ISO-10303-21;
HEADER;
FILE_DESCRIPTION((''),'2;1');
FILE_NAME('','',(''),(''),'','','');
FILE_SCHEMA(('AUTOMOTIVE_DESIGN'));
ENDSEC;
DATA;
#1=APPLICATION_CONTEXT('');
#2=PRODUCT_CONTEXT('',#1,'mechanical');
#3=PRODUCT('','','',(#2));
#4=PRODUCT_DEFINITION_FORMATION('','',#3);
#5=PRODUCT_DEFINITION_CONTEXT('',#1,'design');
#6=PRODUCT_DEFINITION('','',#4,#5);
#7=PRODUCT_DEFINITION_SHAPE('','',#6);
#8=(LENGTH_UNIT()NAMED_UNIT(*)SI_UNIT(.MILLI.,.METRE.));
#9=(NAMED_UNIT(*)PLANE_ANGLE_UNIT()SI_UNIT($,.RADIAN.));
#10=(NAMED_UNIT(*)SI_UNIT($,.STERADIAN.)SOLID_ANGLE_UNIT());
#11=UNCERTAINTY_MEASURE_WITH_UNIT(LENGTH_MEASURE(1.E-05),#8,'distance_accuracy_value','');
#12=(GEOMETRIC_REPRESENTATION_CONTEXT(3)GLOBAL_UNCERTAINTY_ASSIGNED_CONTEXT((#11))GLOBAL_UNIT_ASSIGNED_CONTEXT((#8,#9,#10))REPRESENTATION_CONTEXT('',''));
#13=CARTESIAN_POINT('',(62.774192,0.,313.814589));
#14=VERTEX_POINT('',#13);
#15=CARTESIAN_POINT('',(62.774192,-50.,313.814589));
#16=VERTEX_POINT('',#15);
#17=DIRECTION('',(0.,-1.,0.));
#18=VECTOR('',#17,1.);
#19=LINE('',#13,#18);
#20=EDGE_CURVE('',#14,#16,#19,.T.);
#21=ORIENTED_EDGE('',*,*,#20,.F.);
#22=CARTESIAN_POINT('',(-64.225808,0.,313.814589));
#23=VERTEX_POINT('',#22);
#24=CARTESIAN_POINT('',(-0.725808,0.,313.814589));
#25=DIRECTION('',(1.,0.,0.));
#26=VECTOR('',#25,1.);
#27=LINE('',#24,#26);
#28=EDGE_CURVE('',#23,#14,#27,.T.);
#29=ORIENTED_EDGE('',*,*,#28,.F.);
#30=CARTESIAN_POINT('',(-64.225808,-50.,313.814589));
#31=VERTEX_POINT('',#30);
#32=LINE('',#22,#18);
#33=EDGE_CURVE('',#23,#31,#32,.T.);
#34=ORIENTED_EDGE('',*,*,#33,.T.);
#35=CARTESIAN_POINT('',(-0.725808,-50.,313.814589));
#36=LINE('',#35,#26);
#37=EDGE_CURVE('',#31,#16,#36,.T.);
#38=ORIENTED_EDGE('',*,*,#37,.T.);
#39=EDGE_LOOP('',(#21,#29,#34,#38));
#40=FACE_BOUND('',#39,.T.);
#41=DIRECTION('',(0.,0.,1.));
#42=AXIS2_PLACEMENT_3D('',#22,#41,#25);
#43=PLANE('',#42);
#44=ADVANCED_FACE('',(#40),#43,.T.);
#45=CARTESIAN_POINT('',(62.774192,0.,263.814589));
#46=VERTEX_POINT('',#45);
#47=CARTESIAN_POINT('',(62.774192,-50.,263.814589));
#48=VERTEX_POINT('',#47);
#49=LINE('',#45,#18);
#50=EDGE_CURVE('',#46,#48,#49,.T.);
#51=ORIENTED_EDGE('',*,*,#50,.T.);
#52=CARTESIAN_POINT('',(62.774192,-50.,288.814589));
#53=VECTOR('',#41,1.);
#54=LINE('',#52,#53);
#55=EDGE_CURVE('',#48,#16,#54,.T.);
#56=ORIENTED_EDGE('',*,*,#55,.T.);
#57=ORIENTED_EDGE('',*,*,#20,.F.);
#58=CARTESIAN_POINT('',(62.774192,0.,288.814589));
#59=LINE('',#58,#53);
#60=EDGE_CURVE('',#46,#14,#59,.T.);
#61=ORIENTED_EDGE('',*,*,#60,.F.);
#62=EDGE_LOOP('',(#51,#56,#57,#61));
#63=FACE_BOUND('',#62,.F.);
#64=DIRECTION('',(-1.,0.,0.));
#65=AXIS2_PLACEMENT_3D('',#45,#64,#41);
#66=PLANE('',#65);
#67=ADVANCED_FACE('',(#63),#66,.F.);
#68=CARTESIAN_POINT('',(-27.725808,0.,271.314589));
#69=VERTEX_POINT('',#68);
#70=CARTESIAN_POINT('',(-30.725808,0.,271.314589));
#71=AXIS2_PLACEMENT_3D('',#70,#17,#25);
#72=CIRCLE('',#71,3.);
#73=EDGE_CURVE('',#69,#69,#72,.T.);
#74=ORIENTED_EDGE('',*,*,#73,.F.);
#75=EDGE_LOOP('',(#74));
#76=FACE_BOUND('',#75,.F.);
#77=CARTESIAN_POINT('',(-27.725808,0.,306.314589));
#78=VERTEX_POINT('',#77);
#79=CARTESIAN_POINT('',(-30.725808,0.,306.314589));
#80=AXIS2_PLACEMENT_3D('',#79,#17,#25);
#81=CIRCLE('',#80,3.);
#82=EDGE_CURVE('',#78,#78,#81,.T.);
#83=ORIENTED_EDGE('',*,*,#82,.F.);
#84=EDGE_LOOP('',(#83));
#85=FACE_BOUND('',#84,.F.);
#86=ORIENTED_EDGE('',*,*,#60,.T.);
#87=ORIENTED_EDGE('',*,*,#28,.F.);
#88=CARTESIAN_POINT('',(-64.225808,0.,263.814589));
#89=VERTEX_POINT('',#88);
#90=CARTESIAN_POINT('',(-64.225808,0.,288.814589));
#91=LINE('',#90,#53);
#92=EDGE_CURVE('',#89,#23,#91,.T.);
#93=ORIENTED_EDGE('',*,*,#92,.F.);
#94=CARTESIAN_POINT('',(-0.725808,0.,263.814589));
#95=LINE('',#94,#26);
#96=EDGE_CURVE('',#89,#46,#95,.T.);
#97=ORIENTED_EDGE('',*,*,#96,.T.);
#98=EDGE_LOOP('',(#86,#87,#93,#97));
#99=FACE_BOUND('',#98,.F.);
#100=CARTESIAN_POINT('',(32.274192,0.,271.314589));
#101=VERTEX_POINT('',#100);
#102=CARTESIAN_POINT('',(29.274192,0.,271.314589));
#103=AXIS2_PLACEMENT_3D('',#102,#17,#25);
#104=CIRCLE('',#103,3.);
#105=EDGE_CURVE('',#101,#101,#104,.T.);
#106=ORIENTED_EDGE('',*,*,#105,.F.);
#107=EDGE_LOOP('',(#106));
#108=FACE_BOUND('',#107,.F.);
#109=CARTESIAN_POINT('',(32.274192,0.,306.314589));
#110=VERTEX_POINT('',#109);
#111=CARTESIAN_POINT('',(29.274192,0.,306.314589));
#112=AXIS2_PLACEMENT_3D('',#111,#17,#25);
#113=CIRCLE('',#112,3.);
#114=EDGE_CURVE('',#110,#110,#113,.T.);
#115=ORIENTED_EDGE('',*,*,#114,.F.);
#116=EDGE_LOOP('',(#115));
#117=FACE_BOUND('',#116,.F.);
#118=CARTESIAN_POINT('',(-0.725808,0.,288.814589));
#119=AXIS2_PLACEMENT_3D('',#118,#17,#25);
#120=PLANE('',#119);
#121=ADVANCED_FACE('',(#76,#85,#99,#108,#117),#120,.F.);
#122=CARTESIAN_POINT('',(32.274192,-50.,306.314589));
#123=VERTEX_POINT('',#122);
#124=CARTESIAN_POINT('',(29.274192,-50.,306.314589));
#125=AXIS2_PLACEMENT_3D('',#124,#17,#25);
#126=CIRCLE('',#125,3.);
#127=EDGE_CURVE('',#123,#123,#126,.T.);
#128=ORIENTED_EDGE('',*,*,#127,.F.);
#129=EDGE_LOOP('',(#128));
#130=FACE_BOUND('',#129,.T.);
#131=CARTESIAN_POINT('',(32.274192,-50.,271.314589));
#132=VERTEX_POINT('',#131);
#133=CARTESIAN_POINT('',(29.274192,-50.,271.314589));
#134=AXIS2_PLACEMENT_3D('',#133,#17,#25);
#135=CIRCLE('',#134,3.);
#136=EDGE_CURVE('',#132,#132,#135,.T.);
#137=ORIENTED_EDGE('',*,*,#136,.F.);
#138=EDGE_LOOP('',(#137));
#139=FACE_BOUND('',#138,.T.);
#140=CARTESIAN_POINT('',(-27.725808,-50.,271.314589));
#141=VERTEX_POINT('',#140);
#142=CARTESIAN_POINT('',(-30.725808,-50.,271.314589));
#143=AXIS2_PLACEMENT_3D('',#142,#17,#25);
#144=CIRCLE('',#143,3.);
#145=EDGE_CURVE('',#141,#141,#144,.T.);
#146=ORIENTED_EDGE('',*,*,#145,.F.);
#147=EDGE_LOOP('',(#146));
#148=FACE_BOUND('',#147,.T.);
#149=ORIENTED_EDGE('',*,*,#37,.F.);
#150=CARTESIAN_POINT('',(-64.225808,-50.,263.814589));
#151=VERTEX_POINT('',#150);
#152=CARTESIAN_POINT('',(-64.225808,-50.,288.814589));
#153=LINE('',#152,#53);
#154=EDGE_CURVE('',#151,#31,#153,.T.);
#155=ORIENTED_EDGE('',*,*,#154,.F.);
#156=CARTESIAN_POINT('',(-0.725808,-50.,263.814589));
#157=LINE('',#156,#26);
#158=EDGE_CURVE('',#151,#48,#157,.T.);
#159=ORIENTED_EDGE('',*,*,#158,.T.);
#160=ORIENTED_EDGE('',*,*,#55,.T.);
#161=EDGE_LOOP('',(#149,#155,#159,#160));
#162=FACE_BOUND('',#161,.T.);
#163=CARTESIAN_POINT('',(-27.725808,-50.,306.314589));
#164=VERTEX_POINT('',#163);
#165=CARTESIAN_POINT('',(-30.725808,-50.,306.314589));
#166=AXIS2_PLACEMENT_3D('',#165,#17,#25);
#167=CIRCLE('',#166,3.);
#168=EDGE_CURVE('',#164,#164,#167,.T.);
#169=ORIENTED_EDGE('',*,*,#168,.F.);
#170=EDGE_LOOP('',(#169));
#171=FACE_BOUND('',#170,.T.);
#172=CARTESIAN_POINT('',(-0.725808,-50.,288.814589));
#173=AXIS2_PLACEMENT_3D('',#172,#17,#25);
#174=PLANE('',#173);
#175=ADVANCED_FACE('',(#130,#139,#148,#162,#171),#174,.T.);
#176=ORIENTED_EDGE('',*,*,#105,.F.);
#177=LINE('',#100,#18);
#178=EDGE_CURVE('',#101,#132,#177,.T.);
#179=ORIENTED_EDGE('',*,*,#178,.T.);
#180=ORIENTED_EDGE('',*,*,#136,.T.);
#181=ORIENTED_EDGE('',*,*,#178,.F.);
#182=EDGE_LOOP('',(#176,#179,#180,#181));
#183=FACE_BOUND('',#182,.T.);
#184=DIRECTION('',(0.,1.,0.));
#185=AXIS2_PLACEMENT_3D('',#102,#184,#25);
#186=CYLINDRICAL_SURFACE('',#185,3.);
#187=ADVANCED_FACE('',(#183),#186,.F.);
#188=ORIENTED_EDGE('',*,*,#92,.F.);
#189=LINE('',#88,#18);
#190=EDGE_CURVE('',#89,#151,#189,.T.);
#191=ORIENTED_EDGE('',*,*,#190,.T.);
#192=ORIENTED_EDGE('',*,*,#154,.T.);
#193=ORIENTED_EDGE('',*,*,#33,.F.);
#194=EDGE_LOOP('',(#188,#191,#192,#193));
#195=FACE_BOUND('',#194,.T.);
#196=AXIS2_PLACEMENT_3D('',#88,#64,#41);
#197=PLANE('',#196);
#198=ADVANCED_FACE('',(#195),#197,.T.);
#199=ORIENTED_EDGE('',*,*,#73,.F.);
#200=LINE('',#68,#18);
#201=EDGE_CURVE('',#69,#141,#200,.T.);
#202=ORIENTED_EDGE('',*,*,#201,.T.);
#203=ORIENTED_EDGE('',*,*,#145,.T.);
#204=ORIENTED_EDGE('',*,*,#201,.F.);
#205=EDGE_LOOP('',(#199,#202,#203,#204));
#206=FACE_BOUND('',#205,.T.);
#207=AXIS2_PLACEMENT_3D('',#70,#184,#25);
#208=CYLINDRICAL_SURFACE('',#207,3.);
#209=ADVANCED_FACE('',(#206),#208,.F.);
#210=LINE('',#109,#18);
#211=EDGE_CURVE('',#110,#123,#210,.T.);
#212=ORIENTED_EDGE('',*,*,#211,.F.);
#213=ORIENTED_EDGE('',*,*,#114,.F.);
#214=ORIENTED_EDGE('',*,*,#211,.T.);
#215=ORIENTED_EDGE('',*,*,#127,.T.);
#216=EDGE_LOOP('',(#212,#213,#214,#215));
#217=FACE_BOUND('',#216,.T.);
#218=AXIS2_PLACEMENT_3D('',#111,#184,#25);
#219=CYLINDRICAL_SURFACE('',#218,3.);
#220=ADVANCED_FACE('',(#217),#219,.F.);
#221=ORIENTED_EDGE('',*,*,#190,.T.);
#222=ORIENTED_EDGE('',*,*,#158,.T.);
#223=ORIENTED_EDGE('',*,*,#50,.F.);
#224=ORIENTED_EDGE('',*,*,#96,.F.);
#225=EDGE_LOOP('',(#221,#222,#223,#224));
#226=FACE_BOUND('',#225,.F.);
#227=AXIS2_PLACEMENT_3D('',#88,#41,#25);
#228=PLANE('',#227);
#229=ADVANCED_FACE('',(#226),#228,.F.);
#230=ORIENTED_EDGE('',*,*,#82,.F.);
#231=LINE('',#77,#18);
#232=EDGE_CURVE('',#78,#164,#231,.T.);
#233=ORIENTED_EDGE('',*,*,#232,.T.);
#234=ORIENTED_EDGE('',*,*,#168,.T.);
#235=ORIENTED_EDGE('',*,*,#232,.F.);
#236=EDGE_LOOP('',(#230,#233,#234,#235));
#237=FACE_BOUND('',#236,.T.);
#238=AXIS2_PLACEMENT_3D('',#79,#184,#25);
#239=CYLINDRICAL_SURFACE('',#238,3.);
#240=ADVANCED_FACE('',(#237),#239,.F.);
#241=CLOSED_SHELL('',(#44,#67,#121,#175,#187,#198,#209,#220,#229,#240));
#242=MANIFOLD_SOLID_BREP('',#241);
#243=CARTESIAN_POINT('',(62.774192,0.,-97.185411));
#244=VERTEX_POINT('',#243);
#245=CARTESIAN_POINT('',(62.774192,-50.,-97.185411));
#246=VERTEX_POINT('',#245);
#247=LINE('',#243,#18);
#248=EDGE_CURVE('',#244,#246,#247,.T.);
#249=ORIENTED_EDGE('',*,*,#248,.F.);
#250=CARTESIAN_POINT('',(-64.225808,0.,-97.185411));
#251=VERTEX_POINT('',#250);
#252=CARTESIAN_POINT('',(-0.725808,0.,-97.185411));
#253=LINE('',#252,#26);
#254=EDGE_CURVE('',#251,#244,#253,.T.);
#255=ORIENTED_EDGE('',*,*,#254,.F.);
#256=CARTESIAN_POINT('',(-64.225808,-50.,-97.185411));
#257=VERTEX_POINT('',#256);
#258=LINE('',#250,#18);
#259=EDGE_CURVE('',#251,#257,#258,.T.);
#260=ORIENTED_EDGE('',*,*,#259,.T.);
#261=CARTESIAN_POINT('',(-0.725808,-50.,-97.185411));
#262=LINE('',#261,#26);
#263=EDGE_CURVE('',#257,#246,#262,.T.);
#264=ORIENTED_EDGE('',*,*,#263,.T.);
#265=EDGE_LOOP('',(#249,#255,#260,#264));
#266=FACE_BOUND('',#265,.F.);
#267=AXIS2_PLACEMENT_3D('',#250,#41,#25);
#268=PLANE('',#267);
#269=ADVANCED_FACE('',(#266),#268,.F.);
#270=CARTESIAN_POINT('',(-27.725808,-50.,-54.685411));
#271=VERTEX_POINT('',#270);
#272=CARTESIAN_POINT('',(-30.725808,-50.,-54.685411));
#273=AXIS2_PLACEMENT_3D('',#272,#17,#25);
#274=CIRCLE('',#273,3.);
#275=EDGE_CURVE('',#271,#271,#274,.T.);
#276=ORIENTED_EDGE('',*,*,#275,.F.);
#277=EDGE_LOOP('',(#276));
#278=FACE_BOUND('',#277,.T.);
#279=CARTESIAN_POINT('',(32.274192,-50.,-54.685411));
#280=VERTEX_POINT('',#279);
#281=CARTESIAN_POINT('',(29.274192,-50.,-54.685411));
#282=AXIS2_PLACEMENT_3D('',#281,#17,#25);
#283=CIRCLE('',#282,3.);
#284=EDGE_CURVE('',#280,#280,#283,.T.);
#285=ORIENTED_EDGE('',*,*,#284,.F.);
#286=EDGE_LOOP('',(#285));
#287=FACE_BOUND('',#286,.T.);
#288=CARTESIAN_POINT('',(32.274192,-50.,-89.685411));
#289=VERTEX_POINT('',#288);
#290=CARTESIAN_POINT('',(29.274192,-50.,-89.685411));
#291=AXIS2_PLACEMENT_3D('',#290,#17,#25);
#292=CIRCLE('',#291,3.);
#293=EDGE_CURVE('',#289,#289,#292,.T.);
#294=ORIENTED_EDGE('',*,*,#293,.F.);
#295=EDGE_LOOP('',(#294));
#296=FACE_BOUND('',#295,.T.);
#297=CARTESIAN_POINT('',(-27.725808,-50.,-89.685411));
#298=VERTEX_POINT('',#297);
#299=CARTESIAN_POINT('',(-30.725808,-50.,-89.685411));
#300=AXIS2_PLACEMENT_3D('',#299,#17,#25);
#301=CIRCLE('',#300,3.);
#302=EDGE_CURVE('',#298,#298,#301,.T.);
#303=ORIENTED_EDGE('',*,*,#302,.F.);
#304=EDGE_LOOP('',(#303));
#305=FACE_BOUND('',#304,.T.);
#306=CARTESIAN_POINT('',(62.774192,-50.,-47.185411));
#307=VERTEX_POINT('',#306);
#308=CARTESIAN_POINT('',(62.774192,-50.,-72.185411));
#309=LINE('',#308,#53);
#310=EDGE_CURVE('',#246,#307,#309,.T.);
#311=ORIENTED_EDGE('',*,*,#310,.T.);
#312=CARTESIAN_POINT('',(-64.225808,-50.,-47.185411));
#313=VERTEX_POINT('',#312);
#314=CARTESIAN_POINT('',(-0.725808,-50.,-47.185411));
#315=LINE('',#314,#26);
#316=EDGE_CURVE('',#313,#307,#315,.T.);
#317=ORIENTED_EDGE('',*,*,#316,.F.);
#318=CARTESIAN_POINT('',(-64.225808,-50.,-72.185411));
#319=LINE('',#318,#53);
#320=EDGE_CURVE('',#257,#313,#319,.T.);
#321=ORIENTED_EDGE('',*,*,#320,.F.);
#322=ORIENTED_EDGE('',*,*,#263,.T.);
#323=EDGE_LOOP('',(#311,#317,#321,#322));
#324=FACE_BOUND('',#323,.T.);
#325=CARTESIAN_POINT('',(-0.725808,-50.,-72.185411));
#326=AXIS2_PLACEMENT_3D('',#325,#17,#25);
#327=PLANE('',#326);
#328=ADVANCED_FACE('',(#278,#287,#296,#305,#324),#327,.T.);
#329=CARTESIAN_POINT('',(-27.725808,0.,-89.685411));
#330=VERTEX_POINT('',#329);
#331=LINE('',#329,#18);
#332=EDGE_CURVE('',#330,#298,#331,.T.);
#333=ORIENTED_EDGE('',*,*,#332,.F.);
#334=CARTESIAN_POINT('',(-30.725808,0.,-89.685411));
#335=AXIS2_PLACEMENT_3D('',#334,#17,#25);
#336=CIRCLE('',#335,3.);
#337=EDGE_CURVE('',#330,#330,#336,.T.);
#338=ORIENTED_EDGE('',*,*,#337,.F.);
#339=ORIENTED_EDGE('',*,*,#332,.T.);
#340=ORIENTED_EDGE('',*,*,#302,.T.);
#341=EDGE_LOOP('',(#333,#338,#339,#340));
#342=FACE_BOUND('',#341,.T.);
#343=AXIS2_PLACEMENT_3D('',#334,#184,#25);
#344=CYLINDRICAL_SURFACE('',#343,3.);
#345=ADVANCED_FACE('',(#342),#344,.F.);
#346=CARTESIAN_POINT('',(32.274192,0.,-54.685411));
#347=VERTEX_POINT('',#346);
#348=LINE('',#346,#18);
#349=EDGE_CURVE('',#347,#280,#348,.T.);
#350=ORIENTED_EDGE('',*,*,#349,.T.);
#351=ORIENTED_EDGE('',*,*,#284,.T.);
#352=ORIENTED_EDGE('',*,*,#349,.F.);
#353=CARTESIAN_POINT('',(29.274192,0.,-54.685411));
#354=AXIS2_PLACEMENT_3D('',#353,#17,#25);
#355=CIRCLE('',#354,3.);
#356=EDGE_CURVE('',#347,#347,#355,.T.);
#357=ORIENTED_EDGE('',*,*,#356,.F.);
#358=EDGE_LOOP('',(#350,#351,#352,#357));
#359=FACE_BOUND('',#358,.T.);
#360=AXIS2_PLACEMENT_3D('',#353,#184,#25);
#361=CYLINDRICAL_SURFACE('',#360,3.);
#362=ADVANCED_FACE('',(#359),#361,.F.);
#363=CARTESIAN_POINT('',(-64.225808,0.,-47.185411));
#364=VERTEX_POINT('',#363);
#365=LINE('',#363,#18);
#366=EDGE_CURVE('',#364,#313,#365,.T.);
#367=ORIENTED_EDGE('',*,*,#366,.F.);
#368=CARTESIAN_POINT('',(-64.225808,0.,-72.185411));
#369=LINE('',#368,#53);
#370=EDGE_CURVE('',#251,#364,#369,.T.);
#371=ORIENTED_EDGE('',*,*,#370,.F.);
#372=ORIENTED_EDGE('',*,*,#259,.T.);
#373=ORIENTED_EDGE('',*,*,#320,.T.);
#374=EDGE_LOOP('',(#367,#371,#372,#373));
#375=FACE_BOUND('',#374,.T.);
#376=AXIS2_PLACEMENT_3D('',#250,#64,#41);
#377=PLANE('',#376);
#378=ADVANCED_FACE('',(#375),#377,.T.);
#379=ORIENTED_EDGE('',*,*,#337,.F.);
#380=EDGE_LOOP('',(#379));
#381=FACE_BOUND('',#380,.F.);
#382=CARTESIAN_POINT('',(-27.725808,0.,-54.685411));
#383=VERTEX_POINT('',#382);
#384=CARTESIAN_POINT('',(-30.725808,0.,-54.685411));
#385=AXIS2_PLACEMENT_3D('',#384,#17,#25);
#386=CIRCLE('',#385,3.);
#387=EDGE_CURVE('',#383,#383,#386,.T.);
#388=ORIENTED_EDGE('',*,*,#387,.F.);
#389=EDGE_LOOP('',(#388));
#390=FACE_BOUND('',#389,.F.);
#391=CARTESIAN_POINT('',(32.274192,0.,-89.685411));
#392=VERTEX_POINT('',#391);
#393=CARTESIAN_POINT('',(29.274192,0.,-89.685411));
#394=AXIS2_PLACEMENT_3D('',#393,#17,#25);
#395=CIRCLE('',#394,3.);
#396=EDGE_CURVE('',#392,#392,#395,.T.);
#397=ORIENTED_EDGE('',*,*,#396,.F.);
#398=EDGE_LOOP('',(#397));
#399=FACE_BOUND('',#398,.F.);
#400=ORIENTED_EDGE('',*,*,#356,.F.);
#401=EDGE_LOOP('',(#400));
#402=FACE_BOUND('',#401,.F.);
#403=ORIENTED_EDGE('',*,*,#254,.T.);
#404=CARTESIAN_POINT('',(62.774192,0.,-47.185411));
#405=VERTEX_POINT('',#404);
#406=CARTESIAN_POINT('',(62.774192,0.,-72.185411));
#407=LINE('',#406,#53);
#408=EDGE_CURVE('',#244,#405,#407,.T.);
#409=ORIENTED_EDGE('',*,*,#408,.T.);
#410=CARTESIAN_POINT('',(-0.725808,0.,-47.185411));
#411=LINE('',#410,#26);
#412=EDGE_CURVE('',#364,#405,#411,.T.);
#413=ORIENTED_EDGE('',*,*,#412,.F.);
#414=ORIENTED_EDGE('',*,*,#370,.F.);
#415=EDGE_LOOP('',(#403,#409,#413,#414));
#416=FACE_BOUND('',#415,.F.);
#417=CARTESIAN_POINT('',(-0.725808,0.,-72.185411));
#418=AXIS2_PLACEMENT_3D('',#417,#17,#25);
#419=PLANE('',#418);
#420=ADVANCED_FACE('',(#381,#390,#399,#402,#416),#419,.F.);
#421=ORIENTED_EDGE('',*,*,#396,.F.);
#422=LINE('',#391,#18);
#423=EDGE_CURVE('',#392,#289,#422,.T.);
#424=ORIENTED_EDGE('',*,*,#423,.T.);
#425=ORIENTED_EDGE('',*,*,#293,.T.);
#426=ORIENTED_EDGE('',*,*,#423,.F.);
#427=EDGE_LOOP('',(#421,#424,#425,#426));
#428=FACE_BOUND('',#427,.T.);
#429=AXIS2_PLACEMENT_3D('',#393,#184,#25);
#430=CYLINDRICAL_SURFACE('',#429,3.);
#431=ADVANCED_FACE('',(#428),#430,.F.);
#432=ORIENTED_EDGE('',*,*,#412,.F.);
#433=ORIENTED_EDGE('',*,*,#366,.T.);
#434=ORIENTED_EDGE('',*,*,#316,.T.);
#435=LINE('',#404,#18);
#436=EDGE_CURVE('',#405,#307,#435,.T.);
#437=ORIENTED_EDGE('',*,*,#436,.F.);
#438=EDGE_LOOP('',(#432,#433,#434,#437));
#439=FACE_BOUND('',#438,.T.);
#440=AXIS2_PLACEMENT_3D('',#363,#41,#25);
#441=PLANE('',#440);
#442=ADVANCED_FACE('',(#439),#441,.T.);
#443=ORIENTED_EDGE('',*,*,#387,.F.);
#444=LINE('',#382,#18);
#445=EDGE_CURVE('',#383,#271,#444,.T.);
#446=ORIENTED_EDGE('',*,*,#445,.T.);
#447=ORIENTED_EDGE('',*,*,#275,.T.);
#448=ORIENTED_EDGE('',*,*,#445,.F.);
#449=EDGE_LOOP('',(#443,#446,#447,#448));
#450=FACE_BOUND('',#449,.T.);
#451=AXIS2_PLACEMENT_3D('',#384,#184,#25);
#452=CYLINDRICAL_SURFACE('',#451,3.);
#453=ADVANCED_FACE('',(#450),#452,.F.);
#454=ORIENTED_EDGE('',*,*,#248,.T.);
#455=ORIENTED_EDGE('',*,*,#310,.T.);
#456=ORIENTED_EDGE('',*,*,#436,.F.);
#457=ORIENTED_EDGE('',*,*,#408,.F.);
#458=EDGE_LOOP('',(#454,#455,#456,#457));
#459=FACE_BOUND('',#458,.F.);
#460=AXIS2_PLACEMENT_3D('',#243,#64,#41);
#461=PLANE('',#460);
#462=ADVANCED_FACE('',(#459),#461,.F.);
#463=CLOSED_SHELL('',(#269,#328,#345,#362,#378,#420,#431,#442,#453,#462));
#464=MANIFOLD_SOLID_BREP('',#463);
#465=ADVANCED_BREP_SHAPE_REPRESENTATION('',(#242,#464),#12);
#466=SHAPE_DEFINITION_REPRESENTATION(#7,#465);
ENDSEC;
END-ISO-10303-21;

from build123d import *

# Parameters (mm, degrees)
F0_W     = 127
F0_H     = 50
F0_R     = 3
F1_DEPTH = 50


with BuildPart() as f1:
    # F0 (on Front) → F1 (new body)
    with BuildSketch(Plane.XZ):
        with Locations((-0.725808, -72.185411)):
            Rectangle(F0_W, F0_H)
        with Locations((-30.725808, -89.685411)):
            Circle(F0_R, mode=Mode.SUBTRACT)
        with Locations((-30.725808, -54.685411)):
            Circle(F0_R, mode=Mode.SUBTRACT)
        with Locations((29.274192, -89.685411)):
            Circle(F0_R, mode=Mode.SUBTRACT)
        with Locations((29.274192, -54.685411)):
            Circle(F0_R, mode=Mode.SUBTRACT)
        with Locations((-0.725808, 288.814589)):
            Rectangle(F0_W, F0_H)
        with Locations((-30.725808, 271.314589)):
            Circle(F0_R, mode=Mode.SUBTRACT)
        with Locations((-30.725808, 306.314589)):
            Circle(F0_R, mode=Mode.SUBTRACT)
        with Locations((29.274192, 271.314589)):
            Circle(F0_R, mode=Mode.SUBTRACT)
        with Locations((29.274192, 306.314589)):
            Circle(F0_R, mode=Mode.SUBTRACT)
    extrude(amount=F1_DEPTH)


solid = f1.part
